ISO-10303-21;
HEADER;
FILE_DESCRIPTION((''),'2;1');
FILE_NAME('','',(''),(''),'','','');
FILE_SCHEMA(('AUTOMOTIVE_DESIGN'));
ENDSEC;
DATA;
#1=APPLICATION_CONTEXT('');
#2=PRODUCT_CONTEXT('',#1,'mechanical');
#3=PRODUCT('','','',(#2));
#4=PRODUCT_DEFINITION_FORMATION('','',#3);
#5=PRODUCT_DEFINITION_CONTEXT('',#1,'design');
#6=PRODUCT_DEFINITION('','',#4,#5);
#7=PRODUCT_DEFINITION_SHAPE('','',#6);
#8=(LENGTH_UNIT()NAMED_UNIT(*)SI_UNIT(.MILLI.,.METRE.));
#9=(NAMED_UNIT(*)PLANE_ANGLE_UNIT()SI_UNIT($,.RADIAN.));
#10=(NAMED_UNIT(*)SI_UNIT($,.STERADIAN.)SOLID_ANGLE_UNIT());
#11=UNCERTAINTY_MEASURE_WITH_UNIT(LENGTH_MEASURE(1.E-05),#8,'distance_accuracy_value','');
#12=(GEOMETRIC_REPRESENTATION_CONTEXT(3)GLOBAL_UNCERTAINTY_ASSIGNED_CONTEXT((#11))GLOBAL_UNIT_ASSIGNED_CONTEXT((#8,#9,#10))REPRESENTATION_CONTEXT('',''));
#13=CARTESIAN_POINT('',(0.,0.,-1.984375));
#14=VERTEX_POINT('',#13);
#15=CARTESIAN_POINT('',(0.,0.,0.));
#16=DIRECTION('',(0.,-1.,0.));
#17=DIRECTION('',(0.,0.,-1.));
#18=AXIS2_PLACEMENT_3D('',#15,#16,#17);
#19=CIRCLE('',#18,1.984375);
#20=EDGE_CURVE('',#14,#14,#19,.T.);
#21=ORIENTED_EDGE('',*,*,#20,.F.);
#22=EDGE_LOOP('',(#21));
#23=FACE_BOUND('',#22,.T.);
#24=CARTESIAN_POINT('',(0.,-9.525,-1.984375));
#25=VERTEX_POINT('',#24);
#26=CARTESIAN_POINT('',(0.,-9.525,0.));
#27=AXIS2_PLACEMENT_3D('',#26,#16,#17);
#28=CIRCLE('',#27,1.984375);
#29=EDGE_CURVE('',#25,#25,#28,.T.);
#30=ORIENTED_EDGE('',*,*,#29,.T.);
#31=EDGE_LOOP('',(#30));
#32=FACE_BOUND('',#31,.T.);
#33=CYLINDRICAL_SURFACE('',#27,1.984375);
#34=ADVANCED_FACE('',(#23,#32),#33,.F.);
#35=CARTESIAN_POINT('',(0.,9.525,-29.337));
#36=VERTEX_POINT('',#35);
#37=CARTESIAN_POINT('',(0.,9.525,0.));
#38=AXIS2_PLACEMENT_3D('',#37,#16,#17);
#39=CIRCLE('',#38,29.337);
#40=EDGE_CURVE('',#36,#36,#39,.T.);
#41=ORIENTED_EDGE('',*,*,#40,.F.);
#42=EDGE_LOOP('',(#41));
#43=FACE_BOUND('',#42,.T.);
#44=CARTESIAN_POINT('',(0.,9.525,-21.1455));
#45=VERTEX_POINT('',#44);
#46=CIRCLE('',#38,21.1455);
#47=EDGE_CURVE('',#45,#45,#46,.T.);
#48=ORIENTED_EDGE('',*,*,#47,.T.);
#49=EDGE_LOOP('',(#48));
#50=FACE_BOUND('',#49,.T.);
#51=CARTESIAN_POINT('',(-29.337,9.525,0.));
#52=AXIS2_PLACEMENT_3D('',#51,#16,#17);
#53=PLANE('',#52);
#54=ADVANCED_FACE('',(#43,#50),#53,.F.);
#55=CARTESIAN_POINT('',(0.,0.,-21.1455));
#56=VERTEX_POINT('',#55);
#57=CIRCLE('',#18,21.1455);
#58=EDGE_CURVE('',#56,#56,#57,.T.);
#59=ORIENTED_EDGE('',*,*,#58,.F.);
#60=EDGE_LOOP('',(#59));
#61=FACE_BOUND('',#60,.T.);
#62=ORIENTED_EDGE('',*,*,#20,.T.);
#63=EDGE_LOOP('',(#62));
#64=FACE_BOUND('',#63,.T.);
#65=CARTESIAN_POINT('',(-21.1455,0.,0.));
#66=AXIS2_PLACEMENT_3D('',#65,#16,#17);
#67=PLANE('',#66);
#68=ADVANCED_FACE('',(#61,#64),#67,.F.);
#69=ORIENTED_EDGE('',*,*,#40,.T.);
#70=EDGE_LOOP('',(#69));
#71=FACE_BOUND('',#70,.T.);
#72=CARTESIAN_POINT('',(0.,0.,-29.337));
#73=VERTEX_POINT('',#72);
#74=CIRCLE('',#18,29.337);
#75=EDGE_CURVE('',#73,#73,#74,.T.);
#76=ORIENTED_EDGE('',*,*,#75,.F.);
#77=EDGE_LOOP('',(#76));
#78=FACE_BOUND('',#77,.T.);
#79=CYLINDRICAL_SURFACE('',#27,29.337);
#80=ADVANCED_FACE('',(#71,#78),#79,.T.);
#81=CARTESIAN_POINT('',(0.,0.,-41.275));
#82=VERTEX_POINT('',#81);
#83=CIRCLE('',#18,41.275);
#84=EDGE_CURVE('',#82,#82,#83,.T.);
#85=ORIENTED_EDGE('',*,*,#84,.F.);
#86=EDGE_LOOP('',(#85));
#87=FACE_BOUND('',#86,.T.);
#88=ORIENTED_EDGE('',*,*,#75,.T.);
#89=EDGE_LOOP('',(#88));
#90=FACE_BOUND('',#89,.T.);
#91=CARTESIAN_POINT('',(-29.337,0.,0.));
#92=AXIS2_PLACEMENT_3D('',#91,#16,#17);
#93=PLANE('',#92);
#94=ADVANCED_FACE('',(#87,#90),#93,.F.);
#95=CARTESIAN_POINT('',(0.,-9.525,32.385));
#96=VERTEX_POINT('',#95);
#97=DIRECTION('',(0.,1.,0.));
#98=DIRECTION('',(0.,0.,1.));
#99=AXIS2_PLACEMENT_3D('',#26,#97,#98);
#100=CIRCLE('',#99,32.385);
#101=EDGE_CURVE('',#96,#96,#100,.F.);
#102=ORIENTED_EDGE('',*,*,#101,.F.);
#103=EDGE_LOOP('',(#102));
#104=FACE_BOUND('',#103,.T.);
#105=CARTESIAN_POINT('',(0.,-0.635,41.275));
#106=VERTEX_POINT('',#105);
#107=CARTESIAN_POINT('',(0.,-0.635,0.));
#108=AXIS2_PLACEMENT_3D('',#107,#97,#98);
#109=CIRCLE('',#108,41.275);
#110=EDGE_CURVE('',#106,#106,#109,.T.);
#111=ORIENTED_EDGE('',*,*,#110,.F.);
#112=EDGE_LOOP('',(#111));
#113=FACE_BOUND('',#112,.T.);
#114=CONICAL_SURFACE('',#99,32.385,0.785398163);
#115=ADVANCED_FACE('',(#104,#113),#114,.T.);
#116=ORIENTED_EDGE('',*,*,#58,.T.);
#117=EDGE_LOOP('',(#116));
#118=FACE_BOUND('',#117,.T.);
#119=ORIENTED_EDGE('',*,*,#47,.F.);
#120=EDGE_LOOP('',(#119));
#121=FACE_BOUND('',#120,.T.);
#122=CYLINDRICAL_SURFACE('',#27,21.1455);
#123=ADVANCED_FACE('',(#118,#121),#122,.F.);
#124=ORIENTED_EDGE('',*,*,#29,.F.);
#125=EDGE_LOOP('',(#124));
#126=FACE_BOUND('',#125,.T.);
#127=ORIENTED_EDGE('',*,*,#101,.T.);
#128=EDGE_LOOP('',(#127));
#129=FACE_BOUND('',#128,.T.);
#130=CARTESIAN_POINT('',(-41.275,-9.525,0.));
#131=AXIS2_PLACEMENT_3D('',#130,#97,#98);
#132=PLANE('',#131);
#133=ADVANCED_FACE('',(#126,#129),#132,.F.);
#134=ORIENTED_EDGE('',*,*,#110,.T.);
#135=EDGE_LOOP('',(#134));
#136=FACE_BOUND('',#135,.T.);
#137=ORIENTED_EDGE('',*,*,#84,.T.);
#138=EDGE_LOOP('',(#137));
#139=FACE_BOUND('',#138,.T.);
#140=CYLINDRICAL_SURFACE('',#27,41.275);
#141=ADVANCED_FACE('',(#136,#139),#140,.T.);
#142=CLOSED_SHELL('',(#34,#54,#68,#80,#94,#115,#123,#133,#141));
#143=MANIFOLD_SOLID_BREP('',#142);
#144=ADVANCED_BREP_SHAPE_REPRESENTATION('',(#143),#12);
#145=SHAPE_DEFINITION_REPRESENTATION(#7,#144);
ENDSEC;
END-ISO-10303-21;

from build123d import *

# Parameters (mm, degrees)
CHAMFER1_SIZE                   = 8.89
F_5_32_0_15625_DIAMETER_HOLE1_D = 3.96875


with BuildPart() as part:
    # Sketch1 → Revolve1 (revolve)
    with BuildSketch(Plane.XY, mode=Mode.PRIVATE) as revolve1_sk:
        Polygon((-29.337, 0), (-41.275, 0), (-41.275, -9.525), (0, -9.525), (0, 0), (-21.1455, 0), (-21.1455, 9.525), (-29.337, 9.525), align=None)
    revolve(revolve1_sk.sketch.rotate(Axis((0, -9.525, 0), (0, 1, 0)), 270), axis=Axis((0, -9.525, 0), (0, 1, 0)))

    # Chamfer1
    chamfer1_edges = [part.edges().sort_by_distance(p)[0] for p in [
        (0, -9.525, 41.275),
    ]]
    chamfer(chamfer1_edges, length=CHAMFER1_SIZE)

    # 5/32 (0.15625) Diameter Hole1 (through all)
    with Locations(Plane(origin=(0, -9.525, 0), x_dir=(0, 0, -1), z_dir=(0, -1, 0))):
        with Locations((0, 0)):
            Hole(F_5_32_0_15625_DIAMETER_HOLE1_D / 2)


solid = part.part
